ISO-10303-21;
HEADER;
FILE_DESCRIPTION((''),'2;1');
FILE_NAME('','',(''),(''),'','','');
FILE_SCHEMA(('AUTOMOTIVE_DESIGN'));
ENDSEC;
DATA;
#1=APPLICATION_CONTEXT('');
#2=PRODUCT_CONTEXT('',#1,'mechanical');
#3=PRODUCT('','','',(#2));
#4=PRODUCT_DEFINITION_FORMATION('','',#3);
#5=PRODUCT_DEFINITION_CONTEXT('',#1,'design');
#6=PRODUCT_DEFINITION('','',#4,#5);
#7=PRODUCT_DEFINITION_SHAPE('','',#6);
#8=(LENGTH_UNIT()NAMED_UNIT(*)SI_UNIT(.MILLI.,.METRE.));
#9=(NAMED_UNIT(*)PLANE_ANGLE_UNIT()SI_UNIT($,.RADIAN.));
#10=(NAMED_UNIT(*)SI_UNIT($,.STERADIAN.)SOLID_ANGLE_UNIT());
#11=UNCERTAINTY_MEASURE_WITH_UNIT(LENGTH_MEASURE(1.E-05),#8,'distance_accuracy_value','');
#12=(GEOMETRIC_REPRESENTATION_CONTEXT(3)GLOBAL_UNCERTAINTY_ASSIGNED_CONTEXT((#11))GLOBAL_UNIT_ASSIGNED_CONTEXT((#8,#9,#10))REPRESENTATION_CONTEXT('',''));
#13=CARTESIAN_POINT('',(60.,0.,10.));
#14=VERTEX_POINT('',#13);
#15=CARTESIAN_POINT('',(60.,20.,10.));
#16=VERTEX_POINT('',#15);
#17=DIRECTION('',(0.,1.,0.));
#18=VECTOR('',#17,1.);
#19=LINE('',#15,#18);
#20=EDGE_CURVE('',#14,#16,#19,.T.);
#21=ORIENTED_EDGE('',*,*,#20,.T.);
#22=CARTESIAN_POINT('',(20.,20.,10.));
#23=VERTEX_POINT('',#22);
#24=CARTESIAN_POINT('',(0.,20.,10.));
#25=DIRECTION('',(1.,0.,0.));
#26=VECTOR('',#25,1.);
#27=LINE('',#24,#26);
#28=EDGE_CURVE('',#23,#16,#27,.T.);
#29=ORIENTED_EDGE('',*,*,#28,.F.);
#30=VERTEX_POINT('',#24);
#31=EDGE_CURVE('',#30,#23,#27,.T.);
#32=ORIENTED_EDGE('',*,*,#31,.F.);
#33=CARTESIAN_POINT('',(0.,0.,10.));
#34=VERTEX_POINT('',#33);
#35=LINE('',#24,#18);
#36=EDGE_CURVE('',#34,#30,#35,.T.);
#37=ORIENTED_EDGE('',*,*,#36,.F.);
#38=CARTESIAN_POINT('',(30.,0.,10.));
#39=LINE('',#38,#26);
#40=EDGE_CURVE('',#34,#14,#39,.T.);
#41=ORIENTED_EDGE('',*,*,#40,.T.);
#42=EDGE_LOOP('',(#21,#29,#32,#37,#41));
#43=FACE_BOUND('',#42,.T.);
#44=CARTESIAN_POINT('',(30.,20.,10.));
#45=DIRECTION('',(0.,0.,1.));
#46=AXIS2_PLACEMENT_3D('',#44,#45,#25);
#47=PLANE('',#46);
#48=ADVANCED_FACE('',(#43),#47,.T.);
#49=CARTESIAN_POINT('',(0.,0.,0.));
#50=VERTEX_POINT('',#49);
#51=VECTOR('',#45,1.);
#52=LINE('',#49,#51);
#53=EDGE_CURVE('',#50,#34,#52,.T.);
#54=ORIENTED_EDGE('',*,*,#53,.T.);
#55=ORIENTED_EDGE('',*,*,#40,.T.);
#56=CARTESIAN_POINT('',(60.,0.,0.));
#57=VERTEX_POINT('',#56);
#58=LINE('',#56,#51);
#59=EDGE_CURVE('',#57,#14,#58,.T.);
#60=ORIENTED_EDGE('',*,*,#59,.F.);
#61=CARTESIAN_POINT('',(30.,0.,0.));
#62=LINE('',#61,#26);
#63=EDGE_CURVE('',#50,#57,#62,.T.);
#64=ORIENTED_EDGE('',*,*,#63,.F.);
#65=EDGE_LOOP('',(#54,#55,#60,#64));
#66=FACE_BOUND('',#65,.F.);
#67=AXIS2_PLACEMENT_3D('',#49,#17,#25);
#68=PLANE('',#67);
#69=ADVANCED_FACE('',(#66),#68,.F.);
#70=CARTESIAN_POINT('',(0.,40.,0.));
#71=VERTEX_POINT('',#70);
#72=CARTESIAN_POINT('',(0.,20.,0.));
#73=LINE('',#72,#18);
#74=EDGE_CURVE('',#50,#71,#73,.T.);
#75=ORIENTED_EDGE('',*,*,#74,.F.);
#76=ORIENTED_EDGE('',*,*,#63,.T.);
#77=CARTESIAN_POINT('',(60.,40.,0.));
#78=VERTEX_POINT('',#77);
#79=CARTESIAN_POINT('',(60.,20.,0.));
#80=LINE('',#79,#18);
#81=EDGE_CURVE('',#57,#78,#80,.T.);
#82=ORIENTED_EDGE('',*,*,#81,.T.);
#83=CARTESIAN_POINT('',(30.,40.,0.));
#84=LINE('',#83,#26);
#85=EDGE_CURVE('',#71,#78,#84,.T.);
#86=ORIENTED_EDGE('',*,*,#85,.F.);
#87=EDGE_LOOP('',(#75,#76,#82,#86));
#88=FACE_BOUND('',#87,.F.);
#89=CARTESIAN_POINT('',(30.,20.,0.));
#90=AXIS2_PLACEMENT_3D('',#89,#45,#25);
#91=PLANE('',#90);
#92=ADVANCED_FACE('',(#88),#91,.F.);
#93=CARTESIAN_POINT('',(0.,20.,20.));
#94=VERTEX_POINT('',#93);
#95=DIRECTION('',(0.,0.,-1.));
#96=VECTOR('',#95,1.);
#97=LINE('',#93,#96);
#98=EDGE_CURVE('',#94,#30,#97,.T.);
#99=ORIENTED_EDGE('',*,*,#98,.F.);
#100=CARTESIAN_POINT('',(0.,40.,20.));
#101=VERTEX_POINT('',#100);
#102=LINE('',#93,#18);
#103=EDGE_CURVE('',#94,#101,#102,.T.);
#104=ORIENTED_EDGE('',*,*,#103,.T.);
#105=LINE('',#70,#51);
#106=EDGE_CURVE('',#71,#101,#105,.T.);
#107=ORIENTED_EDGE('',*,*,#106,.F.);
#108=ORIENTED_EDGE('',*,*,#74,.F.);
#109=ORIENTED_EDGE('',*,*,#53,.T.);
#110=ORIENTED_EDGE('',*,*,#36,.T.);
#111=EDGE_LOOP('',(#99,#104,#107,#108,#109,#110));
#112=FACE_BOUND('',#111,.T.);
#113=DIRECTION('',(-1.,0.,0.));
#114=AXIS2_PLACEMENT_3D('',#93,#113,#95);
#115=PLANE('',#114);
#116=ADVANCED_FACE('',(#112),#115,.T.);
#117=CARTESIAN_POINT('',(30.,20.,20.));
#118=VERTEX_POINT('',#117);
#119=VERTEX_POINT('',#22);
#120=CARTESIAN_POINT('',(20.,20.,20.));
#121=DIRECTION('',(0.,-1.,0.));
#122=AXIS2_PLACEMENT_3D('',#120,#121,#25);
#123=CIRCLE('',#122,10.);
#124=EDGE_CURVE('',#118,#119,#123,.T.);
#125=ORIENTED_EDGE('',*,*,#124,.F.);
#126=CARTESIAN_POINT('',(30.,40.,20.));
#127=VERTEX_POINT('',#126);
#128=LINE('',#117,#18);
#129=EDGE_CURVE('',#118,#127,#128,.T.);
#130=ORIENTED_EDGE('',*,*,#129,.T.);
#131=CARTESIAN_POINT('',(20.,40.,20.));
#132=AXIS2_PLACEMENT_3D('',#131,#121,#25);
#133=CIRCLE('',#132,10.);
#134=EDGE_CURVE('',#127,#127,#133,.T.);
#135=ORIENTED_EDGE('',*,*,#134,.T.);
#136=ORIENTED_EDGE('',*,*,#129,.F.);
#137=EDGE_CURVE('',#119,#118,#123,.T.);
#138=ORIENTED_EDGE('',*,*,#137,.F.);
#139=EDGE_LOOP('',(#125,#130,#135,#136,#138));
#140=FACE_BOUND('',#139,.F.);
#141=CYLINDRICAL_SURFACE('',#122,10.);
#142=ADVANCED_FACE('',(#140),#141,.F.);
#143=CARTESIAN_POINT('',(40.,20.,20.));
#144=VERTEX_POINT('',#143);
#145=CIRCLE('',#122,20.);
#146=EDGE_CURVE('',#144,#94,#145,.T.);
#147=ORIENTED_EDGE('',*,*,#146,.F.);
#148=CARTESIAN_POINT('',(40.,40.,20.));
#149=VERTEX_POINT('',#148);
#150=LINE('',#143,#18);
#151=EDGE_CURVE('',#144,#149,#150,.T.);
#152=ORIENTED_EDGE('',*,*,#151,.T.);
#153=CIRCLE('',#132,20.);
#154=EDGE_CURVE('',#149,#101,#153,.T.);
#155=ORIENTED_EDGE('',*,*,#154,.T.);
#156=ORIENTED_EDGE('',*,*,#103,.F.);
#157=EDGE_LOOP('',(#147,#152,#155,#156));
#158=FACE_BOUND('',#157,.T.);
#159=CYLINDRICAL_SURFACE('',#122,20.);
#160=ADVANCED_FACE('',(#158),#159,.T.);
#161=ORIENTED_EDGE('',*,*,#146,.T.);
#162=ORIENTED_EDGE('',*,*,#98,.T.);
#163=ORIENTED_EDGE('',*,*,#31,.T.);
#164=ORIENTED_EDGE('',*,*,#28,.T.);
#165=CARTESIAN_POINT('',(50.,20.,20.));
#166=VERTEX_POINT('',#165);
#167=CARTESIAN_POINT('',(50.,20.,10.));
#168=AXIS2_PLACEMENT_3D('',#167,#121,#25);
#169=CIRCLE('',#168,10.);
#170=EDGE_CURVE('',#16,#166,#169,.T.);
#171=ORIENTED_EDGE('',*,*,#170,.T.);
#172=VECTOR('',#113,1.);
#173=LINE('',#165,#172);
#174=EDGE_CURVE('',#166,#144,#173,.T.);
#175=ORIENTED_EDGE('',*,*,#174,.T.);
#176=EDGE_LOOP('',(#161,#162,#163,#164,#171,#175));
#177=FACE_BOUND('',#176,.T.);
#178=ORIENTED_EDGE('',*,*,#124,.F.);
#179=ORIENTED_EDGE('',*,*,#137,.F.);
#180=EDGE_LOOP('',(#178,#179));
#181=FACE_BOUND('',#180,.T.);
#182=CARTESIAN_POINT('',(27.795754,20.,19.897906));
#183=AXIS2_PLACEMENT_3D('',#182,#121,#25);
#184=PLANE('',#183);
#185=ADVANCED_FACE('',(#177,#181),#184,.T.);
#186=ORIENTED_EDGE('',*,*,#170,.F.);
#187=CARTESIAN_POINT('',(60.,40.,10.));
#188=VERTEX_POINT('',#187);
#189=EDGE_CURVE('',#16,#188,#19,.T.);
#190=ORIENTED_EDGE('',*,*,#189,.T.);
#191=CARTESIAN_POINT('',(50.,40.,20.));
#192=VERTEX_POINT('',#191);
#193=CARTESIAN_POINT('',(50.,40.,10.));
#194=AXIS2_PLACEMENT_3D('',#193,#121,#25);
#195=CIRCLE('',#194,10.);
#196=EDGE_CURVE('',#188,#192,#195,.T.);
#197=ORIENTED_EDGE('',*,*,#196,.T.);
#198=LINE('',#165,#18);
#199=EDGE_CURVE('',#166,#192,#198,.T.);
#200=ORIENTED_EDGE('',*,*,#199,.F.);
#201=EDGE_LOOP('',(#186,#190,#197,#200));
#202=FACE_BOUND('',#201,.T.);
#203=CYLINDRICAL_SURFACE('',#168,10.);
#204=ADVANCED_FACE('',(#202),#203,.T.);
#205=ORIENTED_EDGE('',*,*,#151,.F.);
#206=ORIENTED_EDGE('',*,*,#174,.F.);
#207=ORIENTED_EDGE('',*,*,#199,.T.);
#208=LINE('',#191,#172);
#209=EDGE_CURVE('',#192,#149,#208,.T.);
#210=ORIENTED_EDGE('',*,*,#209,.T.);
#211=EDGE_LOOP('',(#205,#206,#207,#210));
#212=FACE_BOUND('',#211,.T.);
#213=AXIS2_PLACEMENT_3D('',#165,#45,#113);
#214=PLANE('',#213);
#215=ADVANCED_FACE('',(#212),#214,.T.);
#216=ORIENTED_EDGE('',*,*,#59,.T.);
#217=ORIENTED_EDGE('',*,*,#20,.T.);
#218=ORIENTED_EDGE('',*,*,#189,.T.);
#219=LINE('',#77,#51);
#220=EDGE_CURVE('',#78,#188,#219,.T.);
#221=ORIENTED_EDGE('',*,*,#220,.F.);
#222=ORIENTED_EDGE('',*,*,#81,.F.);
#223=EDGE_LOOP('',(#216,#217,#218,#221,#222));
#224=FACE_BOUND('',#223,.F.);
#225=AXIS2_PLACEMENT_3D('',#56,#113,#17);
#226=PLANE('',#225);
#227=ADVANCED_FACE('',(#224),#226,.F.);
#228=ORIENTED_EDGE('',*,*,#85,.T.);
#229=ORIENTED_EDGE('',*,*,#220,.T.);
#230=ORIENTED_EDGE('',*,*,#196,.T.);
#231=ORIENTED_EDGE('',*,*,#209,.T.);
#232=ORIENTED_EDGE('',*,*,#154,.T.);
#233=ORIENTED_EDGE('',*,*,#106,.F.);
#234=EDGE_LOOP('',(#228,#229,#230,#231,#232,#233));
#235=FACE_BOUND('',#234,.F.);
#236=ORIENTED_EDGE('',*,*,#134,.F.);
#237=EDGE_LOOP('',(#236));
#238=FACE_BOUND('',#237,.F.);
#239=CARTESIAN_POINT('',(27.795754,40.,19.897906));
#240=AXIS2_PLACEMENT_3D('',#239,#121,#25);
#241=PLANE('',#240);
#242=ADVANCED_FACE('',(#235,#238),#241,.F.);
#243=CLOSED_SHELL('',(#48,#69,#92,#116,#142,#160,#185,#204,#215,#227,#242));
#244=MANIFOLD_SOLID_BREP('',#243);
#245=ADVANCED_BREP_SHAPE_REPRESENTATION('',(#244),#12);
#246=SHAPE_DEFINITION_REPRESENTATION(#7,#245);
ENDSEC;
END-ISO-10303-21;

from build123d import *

# Parameters (mm, degrees)
F0_W     = 60
F0_H     = 40
F1_DEPTH = 10
F3_START = -20
F3_DEPTH = 20
F4_R     = 10
F5_DEPTH = 25


with BuildPart() as f1:
    # F0 (on Top) → F1 (new body)
    with BuildSketch(Plane.XY):
        with Locations((30, 20)):
            Rectangle(F0_W, F0_H)
    extrude(amount=F1_DEPTH)

    # F2 (on Front) → F3 (join)
    with BuildSketch(Plane.XZ.offset(F3_START)):
        with BuildLine():
            Line((50, 20), (40, 20))
            ThreePointArc((40, 20), (20, 40), (0, 20))
            Line((0, 20), (0, 10))
            Line((0, 10), (60, 10))
            ThreePointArc((60, 10), (57.0710678119, 17.0710678119), (50, 20))
        make_face()
    extrude(amount=-F3_DEPTH)

    # F4 (on face) → F5 (cut)
    with BuildSketch(Plane.XZ.offset(-20)):
        with Locations((20, 20)):
            Circle(F4_R)
    extrude(amount=-F5_DEPTH, mode=Mode.SUBTRACT)


solid = f1.part
